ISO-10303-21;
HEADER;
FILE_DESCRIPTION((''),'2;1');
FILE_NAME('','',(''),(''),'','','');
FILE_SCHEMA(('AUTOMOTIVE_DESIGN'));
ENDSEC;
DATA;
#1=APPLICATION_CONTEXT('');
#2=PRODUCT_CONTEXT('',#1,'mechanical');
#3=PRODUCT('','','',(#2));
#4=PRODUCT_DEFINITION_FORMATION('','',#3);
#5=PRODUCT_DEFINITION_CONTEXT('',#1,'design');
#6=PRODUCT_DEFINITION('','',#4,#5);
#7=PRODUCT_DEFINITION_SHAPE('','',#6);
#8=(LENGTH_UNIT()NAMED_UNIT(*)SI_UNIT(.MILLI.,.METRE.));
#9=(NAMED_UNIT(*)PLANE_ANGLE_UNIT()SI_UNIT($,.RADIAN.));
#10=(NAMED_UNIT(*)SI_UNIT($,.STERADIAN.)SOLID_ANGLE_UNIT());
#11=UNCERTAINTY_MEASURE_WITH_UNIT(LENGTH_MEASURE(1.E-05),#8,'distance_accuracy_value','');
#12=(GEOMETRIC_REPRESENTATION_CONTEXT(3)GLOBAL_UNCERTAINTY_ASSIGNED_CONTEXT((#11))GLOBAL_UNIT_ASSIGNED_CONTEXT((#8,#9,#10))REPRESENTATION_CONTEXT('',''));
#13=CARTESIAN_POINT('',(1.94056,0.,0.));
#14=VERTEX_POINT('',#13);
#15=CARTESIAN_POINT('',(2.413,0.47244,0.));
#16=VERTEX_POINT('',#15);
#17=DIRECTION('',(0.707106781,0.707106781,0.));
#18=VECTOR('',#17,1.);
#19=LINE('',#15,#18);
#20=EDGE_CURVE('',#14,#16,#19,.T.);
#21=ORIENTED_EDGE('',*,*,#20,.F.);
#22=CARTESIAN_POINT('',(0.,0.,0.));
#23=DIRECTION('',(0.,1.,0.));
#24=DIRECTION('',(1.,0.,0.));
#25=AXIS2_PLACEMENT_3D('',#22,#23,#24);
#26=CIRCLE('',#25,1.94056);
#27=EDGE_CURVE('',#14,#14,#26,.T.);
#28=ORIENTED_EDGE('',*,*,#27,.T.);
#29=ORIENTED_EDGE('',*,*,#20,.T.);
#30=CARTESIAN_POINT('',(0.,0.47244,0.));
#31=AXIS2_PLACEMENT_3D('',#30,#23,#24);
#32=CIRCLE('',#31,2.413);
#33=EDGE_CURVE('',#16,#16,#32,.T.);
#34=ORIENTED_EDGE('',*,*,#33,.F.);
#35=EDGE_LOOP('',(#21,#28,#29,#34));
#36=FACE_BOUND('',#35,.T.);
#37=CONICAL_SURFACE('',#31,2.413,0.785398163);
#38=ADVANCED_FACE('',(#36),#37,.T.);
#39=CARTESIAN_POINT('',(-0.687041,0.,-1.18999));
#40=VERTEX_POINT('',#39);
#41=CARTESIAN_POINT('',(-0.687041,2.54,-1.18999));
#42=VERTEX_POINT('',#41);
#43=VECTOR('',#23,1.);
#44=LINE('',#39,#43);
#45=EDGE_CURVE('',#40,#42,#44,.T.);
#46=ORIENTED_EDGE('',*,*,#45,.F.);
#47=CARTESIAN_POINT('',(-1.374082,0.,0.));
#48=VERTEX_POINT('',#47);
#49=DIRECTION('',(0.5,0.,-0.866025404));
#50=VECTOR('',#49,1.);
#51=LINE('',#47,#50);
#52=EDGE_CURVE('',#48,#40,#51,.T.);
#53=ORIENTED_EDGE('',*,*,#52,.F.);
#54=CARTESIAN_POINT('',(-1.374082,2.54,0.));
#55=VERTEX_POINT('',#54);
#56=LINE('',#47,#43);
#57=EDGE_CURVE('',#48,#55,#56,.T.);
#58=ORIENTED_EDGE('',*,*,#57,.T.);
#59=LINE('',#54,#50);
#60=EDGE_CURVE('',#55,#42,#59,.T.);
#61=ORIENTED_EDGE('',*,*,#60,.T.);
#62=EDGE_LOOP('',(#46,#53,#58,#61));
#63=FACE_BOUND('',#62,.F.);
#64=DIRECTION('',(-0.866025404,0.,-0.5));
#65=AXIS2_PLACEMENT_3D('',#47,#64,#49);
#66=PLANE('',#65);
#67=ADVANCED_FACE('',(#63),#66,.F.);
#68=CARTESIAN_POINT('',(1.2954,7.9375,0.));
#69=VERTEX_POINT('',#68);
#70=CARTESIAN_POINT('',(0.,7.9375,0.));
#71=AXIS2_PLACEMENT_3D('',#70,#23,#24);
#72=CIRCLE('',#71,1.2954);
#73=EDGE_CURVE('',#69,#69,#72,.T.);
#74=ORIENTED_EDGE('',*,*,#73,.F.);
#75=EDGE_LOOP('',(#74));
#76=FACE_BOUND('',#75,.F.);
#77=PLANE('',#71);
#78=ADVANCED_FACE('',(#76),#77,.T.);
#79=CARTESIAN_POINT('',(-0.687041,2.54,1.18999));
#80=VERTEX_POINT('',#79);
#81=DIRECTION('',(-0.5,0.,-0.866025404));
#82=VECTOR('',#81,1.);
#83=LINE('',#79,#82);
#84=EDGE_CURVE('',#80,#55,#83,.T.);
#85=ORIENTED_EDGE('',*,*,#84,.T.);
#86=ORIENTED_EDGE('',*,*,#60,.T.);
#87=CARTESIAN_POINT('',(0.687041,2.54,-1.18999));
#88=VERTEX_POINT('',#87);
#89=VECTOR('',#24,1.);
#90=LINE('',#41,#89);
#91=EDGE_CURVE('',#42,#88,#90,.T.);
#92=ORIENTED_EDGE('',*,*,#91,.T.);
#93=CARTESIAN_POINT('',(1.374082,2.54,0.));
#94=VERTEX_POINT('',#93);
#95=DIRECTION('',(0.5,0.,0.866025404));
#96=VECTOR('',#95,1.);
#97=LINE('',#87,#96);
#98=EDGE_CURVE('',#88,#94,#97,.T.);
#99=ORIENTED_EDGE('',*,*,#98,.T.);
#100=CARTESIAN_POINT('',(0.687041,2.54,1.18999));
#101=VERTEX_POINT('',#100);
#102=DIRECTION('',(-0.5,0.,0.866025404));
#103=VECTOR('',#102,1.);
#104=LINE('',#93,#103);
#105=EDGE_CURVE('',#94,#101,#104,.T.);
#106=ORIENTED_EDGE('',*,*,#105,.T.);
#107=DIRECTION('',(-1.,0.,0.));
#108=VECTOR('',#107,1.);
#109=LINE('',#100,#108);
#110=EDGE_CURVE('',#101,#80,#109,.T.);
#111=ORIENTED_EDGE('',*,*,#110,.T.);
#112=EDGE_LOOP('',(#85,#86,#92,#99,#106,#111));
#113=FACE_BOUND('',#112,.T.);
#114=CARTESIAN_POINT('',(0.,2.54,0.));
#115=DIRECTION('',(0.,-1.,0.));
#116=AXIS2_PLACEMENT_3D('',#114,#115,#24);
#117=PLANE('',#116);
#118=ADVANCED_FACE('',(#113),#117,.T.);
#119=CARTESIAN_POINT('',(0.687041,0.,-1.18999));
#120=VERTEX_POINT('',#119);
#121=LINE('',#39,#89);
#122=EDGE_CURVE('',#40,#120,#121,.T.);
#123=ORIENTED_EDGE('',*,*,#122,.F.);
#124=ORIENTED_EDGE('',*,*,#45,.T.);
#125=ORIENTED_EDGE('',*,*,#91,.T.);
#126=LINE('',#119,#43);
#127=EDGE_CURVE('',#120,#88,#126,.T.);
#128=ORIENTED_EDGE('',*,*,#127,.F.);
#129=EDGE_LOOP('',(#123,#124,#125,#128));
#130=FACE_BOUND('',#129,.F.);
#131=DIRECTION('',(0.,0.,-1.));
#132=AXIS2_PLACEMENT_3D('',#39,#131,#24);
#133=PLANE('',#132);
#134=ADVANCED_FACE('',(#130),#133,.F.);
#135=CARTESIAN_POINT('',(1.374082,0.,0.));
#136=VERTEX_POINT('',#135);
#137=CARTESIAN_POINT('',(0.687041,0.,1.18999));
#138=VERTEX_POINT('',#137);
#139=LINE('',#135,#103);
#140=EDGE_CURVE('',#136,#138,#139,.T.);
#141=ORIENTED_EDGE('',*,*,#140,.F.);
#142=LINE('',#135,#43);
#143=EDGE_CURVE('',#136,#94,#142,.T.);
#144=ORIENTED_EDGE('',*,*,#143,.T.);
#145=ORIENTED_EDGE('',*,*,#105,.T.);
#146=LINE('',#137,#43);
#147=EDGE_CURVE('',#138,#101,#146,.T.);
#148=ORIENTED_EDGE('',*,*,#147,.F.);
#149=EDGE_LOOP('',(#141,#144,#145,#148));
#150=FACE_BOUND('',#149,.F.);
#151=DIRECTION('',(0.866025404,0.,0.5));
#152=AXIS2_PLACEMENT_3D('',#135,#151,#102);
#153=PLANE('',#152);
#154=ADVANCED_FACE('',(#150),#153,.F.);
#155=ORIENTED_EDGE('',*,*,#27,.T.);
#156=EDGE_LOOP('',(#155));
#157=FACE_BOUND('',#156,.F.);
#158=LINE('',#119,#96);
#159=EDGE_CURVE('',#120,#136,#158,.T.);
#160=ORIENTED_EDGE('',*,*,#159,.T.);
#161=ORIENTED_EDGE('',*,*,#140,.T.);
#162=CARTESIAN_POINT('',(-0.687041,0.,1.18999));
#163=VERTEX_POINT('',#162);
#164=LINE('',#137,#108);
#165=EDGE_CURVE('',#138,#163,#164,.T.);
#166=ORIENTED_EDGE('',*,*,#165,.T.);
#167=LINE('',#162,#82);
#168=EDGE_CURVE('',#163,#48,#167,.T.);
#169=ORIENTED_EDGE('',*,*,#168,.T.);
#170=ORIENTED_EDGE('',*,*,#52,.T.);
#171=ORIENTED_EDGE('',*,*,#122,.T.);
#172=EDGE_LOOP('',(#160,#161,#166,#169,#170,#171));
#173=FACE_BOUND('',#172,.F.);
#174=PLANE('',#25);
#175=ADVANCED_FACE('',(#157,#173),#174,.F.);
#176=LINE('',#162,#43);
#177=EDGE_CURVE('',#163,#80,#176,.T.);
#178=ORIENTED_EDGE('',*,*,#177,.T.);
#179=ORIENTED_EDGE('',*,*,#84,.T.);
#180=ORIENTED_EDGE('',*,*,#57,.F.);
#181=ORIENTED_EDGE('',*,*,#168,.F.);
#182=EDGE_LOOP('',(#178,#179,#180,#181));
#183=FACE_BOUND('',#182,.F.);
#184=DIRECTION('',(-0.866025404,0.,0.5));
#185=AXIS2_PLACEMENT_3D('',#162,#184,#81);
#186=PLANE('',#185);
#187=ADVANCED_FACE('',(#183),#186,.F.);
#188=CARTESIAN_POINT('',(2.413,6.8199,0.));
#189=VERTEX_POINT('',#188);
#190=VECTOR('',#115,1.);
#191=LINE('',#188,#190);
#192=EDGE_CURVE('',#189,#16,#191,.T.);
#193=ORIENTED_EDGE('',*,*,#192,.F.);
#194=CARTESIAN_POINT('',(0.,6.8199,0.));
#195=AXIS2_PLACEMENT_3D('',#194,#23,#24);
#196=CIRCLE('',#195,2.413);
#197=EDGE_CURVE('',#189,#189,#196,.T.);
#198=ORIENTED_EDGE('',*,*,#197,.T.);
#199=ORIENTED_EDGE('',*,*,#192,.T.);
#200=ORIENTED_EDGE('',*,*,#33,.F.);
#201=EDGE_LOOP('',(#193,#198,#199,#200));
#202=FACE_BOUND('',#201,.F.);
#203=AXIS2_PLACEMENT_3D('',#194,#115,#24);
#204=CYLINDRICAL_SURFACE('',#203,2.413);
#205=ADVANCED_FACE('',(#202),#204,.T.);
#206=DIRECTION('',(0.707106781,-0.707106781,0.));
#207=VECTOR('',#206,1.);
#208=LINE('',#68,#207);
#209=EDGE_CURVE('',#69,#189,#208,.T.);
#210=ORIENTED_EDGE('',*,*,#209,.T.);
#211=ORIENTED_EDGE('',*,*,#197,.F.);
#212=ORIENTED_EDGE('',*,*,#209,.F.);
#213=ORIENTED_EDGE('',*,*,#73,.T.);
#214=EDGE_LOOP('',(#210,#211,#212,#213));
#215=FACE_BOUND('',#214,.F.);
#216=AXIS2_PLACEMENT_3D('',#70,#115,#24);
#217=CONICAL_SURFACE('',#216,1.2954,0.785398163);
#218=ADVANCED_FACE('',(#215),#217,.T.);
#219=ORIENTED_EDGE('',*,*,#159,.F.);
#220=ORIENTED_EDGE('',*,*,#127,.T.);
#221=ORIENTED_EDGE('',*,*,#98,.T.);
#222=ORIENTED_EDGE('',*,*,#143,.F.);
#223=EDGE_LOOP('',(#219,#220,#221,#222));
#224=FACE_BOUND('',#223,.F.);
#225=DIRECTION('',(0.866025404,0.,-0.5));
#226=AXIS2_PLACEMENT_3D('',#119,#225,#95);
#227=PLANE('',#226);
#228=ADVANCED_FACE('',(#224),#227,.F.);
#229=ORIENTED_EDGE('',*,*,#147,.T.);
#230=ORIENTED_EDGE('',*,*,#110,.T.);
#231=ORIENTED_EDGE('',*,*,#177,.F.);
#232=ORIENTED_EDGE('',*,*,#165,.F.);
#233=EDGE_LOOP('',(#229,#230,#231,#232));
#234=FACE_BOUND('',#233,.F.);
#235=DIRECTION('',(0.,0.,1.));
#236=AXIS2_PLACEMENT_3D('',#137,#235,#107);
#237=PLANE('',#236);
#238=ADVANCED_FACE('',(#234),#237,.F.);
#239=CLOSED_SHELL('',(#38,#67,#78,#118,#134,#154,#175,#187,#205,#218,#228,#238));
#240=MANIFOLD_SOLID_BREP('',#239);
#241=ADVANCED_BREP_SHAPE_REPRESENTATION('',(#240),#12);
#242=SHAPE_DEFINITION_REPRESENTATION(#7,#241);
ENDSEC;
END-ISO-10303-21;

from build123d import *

# Parameters (mm, degrees)
CUT_EXTRUDE1_DEPTH = 2.54
CHAMFER1_SIZE      = 0.47244


with BuildPart() as part:
    # Sketch1 → Revolve1 (revolve)
    with BuildSketch(Plane(origin=(0, 0, 0), x_dir=(-1, 0, 0), z_dir=(0, 0, -1))):
        Polygon((-2.413, 0), (0, 0), (0, 7.9375), (-1.2954, 7.9375), (-2.413, 6.8199), align=None)
    revolve(axis=Axis((0, 0, 0), (0, 1, 0)))

    # Sketch2 → Cut-Extrude1 (cut)
    with BuildSketch(Plane.XZ):
        Polygon((-0.68704079, 1.189989555), (-1.37408158, 0), (-0.68704079, -1.189989555), (0.68704079, -1.189989555), (1.37408158, 0), (0.68704079, 1.189989555), align=None)
    extrude(amount=-CUT_EXTRUDE1_DEPTH, mode=Mode.SUBTRACT)

    # Chamfer1
    chamfer1_edges = [part.edges().sort_by_distance(p)[0] for p in [
        (-2.413, 0, 0),
    ]]
    chamfer(chamfer1_edges, length=CHAMFER1_SIZE)


solid = part.part
